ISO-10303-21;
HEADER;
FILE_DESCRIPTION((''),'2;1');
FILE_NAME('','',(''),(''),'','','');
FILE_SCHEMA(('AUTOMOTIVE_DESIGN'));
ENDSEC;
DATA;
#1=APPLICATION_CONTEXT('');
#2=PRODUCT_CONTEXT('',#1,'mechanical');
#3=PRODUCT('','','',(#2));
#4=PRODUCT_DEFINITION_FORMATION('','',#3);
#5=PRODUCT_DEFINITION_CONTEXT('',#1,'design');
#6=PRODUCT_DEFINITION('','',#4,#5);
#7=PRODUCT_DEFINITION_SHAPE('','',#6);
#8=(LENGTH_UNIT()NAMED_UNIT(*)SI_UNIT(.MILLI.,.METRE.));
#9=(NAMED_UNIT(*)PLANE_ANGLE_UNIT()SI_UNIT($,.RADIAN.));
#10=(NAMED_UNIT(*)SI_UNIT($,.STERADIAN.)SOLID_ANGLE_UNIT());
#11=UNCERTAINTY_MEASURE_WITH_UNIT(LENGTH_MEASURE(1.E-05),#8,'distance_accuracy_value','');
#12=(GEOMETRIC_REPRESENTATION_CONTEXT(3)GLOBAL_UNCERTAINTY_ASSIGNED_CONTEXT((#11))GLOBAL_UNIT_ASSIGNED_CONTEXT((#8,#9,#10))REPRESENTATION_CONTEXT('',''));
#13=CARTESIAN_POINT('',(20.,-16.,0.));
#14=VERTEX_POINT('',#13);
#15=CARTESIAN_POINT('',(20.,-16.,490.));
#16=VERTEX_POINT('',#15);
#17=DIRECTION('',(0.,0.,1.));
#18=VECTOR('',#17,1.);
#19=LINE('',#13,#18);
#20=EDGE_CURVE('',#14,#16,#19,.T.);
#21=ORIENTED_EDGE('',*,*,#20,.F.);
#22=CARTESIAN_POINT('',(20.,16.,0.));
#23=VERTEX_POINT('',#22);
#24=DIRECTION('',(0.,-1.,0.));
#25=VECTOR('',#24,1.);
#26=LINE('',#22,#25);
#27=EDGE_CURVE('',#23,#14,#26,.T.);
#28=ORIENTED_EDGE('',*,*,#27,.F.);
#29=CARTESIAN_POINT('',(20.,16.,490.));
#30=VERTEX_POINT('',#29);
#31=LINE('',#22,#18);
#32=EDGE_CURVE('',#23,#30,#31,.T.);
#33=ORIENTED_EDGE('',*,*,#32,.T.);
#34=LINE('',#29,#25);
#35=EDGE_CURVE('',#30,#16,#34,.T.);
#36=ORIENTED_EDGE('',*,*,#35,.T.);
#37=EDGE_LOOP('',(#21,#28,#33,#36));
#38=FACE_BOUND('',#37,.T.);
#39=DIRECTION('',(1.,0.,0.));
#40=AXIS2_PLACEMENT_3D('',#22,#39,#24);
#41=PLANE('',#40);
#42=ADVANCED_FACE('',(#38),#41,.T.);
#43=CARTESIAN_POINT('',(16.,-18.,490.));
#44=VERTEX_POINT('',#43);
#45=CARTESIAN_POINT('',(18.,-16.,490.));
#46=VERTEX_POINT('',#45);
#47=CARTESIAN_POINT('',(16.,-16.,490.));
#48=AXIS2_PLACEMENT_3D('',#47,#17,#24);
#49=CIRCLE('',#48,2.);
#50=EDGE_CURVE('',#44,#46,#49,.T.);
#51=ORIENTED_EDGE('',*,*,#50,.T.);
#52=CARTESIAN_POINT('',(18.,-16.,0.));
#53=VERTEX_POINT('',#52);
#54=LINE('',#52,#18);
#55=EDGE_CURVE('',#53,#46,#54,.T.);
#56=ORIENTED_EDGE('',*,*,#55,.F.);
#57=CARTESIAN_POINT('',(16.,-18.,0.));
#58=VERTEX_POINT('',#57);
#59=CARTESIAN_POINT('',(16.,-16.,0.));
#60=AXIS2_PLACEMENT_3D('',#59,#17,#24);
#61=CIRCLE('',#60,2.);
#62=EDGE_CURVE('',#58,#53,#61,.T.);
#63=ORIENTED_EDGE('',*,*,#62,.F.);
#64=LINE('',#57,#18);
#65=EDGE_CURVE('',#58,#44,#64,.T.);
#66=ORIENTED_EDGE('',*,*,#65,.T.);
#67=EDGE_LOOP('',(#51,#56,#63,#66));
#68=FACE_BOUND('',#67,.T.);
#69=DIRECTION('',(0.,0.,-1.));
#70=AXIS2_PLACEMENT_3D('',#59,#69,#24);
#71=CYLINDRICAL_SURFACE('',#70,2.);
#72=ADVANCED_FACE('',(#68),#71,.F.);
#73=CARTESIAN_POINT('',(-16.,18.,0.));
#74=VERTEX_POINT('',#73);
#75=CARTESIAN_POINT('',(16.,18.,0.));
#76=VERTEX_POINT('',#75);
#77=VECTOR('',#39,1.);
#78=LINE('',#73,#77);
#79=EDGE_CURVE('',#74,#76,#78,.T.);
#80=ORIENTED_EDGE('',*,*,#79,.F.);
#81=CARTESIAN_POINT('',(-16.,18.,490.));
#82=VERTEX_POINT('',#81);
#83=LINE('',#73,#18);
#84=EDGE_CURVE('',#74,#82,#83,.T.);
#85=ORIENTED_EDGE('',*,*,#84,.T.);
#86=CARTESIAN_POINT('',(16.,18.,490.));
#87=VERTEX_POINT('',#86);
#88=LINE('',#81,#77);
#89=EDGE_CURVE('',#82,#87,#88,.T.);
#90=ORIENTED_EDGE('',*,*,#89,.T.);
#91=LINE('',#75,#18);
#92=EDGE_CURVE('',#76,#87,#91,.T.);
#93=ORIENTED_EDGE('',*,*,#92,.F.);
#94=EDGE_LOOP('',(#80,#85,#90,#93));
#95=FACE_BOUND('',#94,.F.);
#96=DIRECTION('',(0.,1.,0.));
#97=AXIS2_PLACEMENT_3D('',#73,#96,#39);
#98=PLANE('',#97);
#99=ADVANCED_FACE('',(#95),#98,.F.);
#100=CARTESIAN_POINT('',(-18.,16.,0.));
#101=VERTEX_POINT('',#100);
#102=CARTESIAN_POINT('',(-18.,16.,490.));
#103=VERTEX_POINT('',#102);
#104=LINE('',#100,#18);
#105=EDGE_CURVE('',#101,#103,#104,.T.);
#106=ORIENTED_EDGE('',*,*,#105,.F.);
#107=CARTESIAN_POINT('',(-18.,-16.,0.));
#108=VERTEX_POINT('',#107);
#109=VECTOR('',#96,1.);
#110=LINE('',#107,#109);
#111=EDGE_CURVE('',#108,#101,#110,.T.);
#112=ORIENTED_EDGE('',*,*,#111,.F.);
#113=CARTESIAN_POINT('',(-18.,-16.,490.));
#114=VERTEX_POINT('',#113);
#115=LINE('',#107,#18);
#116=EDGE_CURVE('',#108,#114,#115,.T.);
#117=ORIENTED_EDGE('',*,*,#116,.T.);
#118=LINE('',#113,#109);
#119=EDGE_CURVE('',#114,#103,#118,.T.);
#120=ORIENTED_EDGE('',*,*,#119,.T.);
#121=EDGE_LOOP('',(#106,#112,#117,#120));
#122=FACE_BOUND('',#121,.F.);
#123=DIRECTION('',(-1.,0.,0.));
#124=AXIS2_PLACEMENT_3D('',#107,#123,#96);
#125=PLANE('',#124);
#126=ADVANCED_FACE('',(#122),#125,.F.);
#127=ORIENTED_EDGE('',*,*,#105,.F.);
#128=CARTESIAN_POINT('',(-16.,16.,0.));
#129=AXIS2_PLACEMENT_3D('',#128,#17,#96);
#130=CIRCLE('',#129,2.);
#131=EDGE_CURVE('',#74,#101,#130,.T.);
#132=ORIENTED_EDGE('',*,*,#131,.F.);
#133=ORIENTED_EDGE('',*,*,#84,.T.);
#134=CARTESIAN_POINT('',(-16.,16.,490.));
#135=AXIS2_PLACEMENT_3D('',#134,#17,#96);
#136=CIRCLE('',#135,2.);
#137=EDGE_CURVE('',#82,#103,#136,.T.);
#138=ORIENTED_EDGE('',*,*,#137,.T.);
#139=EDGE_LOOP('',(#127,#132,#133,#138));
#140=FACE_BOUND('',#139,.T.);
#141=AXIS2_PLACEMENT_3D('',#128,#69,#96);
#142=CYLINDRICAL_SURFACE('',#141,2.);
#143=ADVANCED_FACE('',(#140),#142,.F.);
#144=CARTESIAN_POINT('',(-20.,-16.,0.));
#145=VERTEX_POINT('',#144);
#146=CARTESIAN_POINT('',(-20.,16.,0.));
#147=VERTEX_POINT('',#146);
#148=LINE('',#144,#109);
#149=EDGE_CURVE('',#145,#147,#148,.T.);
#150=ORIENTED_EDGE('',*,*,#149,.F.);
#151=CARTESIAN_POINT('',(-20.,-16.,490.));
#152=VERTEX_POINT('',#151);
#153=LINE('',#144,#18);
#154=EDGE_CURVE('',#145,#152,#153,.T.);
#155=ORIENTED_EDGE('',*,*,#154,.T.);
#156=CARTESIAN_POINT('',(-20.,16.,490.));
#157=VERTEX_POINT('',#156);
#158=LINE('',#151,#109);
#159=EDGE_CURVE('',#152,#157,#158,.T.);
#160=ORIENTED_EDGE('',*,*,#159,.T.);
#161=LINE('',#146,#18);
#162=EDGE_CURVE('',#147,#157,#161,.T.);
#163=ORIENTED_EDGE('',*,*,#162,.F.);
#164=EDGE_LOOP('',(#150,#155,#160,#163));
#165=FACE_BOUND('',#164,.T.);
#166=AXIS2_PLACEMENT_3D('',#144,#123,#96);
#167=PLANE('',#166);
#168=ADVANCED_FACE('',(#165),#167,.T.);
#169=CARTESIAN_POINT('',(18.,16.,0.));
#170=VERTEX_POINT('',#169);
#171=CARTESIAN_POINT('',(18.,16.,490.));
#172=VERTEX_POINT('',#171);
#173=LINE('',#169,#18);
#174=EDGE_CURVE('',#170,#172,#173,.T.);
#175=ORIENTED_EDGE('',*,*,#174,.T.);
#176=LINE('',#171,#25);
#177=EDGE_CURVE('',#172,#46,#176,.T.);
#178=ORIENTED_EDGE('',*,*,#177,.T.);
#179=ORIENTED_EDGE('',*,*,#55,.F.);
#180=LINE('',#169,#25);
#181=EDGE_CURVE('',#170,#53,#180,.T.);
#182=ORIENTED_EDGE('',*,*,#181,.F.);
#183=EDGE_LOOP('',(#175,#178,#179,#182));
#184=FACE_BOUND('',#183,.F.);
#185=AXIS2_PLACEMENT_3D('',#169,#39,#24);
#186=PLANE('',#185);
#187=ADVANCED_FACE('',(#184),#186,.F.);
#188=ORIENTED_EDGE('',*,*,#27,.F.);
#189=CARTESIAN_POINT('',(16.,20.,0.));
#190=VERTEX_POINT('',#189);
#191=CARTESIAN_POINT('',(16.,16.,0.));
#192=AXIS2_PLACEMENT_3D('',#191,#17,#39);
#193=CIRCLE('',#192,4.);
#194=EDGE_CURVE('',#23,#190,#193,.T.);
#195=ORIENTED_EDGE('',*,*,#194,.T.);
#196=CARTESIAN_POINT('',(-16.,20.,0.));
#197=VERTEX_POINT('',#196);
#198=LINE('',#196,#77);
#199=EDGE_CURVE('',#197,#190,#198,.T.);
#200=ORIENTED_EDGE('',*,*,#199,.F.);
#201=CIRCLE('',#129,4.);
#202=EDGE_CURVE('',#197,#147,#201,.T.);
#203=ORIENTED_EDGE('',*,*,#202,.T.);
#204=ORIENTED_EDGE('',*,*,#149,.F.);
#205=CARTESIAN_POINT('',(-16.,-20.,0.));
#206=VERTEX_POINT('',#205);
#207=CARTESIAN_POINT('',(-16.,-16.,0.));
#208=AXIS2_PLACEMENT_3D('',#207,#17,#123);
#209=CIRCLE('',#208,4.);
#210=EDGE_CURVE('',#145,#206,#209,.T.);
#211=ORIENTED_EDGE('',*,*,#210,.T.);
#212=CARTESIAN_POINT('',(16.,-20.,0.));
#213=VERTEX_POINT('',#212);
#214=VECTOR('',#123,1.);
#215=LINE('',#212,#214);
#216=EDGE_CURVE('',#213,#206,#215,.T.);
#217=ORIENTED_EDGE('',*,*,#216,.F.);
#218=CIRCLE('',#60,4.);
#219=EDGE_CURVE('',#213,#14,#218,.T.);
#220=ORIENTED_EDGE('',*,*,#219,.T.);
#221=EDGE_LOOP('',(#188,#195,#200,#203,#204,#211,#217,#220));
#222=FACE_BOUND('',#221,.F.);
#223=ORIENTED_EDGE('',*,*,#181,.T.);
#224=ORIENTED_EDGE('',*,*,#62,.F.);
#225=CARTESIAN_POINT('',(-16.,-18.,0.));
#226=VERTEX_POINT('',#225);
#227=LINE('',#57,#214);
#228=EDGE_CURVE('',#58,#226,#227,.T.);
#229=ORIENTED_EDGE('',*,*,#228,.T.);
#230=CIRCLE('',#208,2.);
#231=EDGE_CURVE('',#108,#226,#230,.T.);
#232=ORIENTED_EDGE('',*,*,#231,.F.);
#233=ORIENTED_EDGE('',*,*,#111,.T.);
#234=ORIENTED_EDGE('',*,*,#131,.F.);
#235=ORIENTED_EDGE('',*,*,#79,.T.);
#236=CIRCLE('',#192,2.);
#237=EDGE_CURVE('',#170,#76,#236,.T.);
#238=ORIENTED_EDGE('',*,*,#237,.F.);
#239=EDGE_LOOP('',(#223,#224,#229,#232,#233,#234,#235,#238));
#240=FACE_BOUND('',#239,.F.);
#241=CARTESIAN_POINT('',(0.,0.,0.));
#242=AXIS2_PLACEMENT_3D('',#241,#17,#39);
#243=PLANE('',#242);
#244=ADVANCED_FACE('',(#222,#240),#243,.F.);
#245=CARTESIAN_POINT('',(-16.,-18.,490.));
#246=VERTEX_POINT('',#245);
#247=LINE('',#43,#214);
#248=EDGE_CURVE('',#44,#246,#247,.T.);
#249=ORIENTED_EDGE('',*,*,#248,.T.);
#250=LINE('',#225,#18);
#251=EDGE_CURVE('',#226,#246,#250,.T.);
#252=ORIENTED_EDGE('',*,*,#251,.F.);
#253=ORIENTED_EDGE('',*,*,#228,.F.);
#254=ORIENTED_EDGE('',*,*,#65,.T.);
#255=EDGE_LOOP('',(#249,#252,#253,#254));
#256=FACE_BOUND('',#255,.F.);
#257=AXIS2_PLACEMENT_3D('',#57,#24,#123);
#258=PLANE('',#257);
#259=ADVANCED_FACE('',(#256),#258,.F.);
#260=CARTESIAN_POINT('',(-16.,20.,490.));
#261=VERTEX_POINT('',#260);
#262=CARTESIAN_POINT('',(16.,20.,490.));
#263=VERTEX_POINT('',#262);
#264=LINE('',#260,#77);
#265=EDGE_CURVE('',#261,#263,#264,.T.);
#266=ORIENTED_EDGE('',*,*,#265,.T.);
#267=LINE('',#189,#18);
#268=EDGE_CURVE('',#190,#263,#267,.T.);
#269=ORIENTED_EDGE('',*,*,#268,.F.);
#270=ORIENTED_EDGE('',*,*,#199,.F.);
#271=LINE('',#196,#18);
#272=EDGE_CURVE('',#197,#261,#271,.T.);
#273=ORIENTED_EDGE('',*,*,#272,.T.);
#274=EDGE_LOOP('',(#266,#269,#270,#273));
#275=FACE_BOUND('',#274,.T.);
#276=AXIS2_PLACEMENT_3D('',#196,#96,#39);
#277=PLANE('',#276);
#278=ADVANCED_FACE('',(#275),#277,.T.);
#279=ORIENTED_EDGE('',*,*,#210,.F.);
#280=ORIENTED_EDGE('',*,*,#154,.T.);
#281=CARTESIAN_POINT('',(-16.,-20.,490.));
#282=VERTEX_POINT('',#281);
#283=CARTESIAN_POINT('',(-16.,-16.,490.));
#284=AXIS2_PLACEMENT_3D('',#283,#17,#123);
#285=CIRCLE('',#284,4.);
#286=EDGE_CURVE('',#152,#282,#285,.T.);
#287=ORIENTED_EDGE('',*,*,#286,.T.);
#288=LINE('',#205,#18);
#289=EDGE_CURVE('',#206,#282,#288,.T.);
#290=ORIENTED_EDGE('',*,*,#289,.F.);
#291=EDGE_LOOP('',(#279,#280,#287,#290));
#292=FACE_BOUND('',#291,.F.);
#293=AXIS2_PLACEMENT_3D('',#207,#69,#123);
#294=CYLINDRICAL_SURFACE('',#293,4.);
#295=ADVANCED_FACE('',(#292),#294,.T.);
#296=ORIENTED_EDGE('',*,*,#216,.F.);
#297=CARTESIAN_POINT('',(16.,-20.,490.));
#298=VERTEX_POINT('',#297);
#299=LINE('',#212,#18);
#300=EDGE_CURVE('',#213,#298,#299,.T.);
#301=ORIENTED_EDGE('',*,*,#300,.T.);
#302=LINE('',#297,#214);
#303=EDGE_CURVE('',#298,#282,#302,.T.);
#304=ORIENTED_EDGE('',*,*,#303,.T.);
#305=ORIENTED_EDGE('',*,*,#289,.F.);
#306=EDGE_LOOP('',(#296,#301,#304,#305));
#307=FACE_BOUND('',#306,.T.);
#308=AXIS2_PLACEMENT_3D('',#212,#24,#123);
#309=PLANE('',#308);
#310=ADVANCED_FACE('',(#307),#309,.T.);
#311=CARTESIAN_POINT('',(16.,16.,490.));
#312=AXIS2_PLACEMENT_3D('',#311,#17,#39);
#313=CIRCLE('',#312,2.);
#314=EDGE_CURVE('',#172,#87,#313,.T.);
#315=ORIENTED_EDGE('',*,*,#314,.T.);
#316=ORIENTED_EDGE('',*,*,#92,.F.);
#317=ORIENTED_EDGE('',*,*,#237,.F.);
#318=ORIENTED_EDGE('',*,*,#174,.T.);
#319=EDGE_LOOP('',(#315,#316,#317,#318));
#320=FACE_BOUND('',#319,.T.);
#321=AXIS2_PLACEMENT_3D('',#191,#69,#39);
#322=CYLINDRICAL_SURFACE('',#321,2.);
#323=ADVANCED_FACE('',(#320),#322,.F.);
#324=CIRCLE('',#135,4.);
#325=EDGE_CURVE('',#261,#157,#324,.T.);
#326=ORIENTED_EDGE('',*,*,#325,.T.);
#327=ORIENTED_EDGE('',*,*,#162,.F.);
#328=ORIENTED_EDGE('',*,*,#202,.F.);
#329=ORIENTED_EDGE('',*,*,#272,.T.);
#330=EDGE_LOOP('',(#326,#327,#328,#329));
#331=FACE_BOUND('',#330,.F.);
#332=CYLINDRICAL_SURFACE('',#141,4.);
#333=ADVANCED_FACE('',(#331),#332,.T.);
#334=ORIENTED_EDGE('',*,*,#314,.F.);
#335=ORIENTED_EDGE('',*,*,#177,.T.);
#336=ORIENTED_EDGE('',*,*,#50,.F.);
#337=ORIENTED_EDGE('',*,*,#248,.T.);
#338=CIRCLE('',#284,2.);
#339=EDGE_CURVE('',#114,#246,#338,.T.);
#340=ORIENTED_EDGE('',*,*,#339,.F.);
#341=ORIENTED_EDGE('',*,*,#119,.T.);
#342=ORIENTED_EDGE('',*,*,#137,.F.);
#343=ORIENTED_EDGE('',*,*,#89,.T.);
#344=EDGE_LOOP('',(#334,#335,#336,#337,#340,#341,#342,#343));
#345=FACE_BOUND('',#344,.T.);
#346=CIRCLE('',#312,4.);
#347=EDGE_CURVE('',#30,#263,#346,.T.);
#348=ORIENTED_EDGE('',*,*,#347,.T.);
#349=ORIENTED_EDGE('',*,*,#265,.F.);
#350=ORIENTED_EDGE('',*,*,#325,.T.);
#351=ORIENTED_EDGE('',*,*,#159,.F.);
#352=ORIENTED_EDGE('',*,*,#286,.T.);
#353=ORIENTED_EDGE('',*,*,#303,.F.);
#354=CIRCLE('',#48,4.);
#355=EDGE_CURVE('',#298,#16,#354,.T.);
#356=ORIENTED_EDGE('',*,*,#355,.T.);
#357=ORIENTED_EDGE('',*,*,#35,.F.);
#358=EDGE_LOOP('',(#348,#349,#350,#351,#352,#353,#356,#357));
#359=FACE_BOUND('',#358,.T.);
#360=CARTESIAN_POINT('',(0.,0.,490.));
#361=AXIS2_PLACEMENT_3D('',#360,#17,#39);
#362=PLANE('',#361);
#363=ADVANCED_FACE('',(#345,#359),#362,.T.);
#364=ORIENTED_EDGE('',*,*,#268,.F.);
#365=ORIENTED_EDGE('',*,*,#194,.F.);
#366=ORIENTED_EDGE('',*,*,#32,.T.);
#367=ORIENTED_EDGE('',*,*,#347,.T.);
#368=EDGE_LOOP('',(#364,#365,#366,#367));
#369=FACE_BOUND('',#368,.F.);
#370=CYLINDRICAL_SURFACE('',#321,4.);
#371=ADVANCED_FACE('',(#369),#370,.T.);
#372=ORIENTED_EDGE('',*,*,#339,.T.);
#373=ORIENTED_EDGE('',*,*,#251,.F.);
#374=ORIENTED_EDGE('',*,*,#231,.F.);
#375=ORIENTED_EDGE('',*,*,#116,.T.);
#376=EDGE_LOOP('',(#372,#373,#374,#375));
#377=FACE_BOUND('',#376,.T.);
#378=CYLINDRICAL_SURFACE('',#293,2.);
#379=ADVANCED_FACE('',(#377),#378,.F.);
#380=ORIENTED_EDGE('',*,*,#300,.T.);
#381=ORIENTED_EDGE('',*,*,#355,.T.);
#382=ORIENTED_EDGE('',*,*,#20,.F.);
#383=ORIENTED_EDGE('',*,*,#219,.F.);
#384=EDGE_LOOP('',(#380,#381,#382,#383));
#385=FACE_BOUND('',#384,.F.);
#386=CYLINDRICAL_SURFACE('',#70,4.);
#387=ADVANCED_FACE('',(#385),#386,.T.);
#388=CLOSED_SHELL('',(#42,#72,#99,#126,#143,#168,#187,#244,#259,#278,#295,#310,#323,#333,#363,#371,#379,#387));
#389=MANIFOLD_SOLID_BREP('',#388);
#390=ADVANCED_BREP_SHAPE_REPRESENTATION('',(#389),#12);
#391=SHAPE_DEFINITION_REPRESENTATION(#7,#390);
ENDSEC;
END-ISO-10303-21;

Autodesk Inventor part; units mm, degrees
ref_plane "YZ Plane" through (0, 0, 0) normal (1, 0, 0) x (0, 1, 0)
ref_plane "Start plane" through (0, 0, 0) normal (0, 0, 1) x (1, 0, 0)
ref_plane "End plane" through (0, 0, 490) normal (0, 0, 1) x (1, 0, 0)
sketch "Sketch" plane through (0, 0, 0) normal (0, 0, 1) x (1, 0, 0)
  line L0 (-20, -16) -> (-20, 16)
  line L1 (-16, 20) -> (16, 20)
  line L2 (20, 16) -> (20, -16)
  line L3 (16, -20) -> (-16, -20)
  arc A0 (-20, -16) -> (-16, -20) centre (-16, -16) ccw
  arc A1 (20, 16) -> (16, 20) centre (16, 16) ccw
  arc A2 (-16, 20) -> (-20, 16) centre (-16, 16) ccw
  arc A3 (16, -20) -> (20, -16) centre (16, -16) ccw
  arc A4 (-16, 18) -> (-18, 16) centre (-16, 16) ccw
  line L4 (-16, 18) -> (16, 18)
  arc A5 (18, 16) -> (16, 18) centre (16, 16) ccw
  line L5 (18, 16) -> (18, -16)
  arc A6 (16, -18) -> (18, -16) centre (16, -16) ccw
  line L6 (16, -18) -> (-16, -18)
  arc A7 (-18, -16) -> (-16, -18) centre (-16, -16) ccw
  line L7 (-18, -16) -> (-18, 16)
  line L8 (0, 36.7397) -> (0, -36.7397) construction
  line L9 (-36.7397, 0) -> (36.7397, 0) construction
  dimension "d7" = 4
  dimension "d9" = 40
  dimension "d11" = 40
  dimension "d12" = 2
  dimension "d15" = 20
  dimension "d16" = 20
extrude "Body" add sketch "Sketch" along normal up to surface (490 mm away) from surface at 0
sketch "Sketch3" plane through (0, 0, 0) normal (0, 0, 1) x (1, 0, 0)
  line L0 (0, 0) -> (10, 0)
ref_plane "Work Plane3" through (0, 0, 0) normal (0, -1, 0) x (1, 0, 0)
sketch "Sketch4" plane through (0, 0, 0) normal (0, -1, 0) x (1, 0, 0)
  line L0 (-2, 0) -> (12, 0) projected
  line L1 (-2, 490) -> (12, 490) projected
  dimension "d18" = 490
equation "\"d7\" = G_IR"
equation "\"d9\" = G_W"
equation "\"d11\" = G_H"
equation "\"d12\" = G_T"
equation "\"d15\" = 0.5 * d9"
equation "\"d16\" = 0.5 * d11"
equation "\"d3\" = G_L"
equation "\"G_W\" = 40"
equation "\"G_H\" = 40"
equation "\"G_T\" = 2"
equation "\"G_IR\" = 4"
equation "\"G_L\" = d18"
equation "\"G_OFFSET_START\" = 0"
equation "\"G_OFFSET_END\" = 0"
properties part number "ISO 10799-2 - 40x40x2 - 490" material "Steel, Mild"
